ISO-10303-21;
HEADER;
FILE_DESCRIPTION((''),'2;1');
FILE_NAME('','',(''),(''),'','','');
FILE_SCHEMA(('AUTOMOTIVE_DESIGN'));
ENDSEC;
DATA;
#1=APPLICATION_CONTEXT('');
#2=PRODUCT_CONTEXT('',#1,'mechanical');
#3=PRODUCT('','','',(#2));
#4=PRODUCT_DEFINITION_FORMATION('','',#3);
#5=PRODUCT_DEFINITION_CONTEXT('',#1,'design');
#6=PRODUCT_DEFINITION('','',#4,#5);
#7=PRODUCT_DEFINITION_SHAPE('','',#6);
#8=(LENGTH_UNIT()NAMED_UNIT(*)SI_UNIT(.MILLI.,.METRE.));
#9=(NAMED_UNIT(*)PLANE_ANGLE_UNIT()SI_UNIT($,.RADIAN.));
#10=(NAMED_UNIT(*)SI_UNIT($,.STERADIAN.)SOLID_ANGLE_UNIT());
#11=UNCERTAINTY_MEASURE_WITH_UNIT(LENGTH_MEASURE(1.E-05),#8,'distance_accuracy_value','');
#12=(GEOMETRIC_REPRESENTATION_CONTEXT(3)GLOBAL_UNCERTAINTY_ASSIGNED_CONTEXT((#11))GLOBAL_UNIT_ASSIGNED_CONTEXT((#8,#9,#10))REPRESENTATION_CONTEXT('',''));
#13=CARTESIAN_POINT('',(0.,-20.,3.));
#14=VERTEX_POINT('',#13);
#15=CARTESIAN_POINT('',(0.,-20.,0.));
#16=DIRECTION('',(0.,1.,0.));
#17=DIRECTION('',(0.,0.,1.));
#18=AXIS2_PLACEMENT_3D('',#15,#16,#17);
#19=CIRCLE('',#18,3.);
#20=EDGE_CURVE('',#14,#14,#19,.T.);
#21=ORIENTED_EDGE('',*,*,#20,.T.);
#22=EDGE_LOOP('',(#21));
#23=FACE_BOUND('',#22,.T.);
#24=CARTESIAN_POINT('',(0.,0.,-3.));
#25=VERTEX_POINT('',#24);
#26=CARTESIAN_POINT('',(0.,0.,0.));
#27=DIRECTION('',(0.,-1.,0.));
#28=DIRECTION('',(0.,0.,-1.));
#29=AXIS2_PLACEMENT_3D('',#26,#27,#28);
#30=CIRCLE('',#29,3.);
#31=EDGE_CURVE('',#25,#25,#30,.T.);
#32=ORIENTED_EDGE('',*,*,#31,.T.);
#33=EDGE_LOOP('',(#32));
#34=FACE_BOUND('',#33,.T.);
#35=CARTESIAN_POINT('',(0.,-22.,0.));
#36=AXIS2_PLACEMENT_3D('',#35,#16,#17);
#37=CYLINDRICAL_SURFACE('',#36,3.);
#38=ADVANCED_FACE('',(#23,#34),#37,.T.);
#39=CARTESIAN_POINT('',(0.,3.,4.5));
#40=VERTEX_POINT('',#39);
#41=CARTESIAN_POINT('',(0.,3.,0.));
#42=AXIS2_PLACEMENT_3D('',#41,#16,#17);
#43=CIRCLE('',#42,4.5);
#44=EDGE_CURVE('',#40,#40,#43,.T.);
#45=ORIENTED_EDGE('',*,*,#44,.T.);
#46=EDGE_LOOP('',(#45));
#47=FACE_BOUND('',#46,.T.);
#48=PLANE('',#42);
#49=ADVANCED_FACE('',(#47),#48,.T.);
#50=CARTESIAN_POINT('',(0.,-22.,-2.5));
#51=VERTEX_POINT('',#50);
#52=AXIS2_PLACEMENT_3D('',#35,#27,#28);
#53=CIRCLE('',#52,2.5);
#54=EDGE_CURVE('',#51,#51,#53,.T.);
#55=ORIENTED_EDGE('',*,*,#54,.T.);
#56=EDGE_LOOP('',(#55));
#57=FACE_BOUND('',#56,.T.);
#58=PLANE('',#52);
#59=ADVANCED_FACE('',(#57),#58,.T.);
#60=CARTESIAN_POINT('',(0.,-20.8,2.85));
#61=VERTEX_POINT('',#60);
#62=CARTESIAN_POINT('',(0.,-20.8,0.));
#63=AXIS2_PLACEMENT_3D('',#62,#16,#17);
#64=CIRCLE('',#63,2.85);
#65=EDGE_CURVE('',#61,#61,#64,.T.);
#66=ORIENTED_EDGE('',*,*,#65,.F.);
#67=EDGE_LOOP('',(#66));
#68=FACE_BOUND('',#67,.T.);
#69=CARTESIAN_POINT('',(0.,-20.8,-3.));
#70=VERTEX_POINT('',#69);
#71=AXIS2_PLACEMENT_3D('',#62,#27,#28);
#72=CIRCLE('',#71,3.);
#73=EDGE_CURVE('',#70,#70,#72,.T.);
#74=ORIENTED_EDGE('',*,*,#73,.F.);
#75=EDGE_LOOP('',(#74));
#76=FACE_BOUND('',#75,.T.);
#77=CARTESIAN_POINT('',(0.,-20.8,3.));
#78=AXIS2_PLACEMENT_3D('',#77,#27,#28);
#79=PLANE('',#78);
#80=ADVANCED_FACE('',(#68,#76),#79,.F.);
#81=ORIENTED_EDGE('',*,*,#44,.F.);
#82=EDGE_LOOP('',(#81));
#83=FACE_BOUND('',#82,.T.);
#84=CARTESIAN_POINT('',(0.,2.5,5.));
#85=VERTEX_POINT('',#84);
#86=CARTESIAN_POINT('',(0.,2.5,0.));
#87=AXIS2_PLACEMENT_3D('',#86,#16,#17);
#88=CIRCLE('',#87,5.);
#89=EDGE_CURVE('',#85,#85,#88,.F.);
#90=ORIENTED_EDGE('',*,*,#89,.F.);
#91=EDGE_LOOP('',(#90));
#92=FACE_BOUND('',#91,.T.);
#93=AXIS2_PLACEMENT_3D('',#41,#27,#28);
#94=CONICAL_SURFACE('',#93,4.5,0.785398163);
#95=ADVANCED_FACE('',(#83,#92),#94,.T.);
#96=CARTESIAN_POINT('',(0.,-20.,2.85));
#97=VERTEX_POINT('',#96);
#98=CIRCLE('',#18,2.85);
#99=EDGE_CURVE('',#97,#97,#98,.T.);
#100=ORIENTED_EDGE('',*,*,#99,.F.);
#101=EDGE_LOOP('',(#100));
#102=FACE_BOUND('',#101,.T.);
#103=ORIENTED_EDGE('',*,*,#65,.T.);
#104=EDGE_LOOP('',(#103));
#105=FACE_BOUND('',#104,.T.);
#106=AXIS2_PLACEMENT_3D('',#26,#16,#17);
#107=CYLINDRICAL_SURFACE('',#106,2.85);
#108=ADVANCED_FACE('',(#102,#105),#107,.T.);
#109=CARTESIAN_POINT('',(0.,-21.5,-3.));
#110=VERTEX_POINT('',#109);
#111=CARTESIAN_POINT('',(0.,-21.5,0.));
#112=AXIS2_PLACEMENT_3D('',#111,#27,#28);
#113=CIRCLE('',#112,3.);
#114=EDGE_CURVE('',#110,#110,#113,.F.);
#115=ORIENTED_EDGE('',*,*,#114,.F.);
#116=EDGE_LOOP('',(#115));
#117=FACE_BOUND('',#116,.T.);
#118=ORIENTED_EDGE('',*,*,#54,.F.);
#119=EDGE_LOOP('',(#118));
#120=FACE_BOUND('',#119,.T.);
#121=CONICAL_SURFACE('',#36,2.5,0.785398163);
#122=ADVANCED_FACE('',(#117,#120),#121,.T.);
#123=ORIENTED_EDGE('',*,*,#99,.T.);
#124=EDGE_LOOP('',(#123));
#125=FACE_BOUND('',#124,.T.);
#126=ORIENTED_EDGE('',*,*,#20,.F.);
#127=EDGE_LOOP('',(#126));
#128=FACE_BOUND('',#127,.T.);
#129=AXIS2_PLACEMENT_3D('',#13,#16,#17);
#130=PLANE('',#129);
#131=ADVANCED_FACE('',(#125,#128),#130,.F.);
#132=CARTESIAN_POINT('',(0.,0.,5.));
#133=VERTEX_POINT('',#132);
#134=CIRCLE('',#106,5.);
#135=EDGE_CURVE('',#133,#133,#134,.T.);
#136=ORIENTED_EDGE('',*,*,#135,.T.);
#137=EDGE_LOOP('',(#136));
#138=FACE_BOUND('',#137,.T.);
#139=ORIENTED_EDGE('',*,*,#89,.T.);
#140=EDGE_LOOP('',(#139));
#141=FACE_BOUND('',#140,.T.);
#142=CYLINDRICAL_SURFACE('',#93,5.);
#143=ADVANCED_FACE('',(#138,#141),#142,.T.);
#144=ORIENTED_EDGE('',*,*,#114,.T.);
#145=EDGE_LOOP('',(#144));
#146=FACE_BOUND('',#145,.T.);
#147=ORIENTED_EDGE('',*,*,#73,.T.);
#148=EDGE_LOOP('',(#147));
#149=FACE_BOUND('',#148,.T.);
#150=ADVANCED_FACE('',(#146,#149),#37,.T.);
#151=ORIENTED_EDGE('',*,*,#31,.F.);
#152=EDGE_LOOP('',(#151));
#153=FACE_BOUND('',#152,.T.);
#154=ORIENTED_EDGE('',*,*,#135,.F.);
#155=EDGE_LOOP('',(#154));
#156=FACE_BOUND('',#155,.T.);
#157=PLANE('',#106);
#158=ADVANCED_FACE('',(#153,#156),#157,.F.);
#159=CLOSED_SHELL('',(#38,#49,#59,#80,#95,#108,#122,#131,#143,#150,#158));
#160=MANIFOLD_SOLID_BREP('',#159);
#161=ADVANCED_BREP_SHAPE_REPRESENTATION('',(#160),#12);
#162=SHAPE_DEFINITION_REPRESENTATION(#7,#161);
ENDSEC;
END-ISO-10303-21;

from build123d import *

# Parameters (mm, degrees)
SKETCH1_R           = 5
BOSS_EXTRUDE1_DEPTH = 3
CHAMFER1_SIZE       = 0.5
SKETCH2_R           = 3
BOSS_EXTRUDE2_DEPTH = 22
CHAMFER2_SIZE       = 0.5


with BuildPart() as part:
    # Sketch1 → Boss-Extrude1 (new body)
    with BuildSketch(Plane(origin=(0, 0, 0), x_dir=(-1, 0, 0), z_dir=(0, 1, 0))):
        with Locations(Location((0, 0, 0), (0, 0, 90))):
            Circle(SKETCH1_R)
    extrude(amount=BOSS_EXTRUDE1_DEPTH)

    # Chamfer1
    chamfer1_edges = [part.edges().sort_by_distance(p)[0] for p in [
        (0, 3, -5),
    ]]
    chamfer(chamfer1_edges, length=CHAMFER1_SIZE)

    # Sketch2 → Boss-Extrude2 (add)
    with BuildSketch(Plane.XZ):
        with Locations(Location((0, 0, 0), (0, 0, 270))):
            Circle(SKETCH2_R)
    extrude(amount=BOSS_EXTRUDE2_DEPTH)

    # Chamfer2
    chamfer2_edges = [part.edges().sort_by_distance(p)[0] for p in [
        (0, -22, 3),
    ]]
    chamfer(chamfer2_edges, length=CHAMFER2_SIZE)

    # Sketch3 → Cut-Revolve1 (revolve, cut)
    with BuildSketch(Plane.YZ):
        Polygon((-20.8, 3), (-20.8, 2.85), (-20, 2.85), (-20, 3), (-20, 3.35), (-20.8, 3.35), align=None)
    revolve(axis=Axis((0, 0, 0), (0, -1, 0)), mode=Mode.SUBTRACT)


solid = part.part
